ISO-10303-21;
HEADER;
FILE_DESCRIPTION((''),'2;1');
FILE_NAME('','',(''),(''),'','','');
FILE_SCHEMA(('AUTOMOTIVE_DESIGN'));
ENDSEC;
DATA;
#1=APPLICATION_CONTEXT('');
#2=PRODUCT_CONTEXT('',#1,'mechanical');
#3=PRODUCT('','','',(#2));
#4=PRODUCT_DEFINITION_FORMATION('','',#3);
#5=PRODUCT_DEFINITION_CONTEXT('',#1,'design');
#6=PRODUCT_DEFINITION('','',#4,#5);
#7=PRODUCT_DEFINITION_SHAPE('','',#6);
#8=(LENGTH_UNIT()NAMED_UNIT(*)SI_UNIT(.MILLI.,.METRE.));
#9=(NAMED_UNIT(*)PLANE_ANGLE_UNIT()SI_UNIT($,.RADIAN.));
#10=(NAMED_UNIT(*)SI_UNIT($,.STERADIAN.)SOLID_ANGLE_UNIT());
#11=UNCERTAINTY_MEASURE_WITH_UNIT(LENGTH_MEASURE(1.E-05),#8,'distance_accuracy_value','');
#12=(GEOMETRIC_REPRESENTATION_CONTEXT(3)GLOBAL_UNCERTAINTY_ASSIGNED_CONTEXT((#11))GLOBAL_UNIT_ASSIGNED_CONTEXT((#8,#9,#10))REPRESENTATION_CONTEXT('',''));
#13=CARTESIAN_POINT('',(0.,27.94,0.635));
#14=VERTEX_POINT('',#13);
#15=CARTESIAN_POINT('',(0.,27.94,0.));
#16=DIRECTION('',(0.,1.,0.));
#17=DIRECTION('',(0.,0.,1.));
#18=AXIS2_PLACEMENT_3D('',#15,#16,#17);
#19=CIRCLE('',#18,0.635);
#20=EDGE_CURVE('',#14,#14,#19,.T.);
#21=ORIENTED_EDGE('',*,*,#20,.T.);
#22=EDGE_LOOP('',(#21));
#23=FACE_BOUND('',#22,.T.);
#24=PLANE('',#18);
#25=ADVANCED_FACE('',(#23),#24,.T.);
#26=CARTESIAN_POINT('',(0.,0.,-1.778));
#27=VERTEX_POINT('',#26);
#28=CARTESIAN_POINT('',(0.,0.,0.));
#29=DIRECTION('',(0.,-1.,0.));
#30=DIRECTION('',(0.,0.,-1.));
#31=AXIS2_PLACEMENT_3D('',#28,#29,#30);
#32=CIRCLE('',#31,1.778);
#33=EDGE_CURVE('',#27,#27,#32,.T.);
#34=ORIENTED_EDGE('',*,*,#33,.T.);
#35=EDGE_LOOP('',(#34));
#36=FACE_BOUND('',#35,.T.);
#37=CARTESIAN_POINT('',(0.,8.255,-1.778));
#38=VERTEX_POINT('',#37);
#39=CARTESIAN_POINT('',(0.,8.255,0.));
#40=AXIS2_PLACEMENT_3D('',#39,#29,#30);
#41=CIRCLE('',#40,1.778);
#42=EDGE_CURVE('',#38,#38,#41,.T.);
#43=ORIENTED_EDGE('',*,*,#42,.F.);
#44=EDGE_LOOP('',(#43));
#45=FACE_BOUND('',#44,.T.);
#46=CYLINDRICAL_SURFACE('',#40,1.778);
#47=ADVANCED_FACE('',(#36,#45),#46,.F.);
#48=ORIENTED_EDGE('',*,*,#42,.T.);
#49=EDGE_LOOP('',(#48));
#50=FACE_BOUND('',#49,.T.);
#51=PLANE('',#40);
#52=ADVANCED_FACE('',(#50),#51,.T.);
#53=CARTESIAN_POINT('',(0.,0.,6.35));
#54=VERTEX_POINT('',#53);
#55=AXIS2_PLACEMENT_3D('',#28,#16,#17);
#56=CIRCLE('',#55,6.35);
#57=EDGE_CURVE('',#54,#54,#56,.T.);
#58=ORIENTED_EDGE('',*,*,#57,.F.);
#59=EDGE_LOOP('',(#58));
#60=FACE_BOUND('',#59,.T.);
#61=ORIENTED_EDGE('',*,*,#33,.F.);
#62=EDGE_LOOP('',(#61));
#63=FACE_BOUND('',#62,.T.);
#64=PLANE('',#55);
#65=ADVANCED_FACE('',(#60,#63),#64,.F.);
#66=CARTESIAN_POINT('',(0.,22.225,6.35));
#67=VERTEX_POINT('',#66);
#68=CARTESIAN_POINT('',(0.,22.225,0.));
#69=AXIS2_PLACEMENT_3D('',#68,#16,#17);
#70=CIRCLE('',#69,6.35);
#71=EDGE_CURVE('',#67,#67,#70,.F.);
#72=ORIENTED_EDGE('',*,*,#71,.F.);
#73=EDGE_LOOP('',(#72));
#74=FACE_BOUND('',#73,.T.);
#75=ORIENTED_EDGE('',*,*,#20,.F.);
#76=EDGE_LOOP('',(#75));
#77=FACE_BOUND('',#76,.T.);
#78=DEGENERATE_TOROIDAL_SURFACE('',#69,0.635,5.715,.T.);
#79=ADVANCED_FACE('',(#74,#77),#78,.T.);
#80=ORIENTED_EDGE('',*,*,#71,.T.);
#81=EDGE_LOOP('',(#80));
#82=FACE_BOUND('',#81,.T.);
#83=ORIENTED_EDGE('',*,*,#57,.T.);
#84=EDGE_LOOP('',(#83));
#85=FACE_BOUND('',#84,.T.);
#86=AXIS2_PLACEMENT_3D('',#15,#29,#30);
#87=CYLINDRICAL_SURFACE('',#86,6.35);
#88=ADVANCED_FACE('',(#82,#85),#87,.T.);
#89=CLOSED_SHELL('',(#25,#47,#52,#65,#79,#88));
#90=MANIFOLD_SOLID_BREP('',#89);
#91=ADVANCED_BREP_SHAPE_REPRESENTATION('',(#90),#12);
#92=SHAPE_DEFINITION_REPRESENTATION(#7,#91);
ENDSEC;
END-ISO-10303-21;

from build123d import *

# Parameters (mm, degrees)
SKETCH1_R           = 6.35
BOSS_EXTRUDE1_DEPTH = 27.94
FILLET1_R           = 5.715
SKETCH2_R           = 1.778
CUT_EXTRUDE1_DEPTH  = 8.255


with BuildPart() as part:
    # Sketch1 → Boss-Extrude1 (new body)
    with BuildSketch(Plane(origin=(0, 0, 0), x_dir=(1, 0, 0), z_dir=(0, 1, 0))):
        Circle(SKETCH1_R)
    extrude(amount=BOSS_EXTRUDE1_DEPTH)

    # Fillet1
    fillet1_edges = [part.edges().sort_by_distance(p)[0] for p in [
        (-6.35, 27.94, 0),
    ]]
    fillet(fillet1_edges, radius=FILLET1_R)

    # Sketch2 → Cut-Extrude1 (cut)
    with BuildSketch(Plane.XZ):
        Circle(SKETCH2_R)
    extrude(amount=-CUT_EXTRUDE1_DEPTH, mode=Mode.SUBTRACT)


solid = part.part
